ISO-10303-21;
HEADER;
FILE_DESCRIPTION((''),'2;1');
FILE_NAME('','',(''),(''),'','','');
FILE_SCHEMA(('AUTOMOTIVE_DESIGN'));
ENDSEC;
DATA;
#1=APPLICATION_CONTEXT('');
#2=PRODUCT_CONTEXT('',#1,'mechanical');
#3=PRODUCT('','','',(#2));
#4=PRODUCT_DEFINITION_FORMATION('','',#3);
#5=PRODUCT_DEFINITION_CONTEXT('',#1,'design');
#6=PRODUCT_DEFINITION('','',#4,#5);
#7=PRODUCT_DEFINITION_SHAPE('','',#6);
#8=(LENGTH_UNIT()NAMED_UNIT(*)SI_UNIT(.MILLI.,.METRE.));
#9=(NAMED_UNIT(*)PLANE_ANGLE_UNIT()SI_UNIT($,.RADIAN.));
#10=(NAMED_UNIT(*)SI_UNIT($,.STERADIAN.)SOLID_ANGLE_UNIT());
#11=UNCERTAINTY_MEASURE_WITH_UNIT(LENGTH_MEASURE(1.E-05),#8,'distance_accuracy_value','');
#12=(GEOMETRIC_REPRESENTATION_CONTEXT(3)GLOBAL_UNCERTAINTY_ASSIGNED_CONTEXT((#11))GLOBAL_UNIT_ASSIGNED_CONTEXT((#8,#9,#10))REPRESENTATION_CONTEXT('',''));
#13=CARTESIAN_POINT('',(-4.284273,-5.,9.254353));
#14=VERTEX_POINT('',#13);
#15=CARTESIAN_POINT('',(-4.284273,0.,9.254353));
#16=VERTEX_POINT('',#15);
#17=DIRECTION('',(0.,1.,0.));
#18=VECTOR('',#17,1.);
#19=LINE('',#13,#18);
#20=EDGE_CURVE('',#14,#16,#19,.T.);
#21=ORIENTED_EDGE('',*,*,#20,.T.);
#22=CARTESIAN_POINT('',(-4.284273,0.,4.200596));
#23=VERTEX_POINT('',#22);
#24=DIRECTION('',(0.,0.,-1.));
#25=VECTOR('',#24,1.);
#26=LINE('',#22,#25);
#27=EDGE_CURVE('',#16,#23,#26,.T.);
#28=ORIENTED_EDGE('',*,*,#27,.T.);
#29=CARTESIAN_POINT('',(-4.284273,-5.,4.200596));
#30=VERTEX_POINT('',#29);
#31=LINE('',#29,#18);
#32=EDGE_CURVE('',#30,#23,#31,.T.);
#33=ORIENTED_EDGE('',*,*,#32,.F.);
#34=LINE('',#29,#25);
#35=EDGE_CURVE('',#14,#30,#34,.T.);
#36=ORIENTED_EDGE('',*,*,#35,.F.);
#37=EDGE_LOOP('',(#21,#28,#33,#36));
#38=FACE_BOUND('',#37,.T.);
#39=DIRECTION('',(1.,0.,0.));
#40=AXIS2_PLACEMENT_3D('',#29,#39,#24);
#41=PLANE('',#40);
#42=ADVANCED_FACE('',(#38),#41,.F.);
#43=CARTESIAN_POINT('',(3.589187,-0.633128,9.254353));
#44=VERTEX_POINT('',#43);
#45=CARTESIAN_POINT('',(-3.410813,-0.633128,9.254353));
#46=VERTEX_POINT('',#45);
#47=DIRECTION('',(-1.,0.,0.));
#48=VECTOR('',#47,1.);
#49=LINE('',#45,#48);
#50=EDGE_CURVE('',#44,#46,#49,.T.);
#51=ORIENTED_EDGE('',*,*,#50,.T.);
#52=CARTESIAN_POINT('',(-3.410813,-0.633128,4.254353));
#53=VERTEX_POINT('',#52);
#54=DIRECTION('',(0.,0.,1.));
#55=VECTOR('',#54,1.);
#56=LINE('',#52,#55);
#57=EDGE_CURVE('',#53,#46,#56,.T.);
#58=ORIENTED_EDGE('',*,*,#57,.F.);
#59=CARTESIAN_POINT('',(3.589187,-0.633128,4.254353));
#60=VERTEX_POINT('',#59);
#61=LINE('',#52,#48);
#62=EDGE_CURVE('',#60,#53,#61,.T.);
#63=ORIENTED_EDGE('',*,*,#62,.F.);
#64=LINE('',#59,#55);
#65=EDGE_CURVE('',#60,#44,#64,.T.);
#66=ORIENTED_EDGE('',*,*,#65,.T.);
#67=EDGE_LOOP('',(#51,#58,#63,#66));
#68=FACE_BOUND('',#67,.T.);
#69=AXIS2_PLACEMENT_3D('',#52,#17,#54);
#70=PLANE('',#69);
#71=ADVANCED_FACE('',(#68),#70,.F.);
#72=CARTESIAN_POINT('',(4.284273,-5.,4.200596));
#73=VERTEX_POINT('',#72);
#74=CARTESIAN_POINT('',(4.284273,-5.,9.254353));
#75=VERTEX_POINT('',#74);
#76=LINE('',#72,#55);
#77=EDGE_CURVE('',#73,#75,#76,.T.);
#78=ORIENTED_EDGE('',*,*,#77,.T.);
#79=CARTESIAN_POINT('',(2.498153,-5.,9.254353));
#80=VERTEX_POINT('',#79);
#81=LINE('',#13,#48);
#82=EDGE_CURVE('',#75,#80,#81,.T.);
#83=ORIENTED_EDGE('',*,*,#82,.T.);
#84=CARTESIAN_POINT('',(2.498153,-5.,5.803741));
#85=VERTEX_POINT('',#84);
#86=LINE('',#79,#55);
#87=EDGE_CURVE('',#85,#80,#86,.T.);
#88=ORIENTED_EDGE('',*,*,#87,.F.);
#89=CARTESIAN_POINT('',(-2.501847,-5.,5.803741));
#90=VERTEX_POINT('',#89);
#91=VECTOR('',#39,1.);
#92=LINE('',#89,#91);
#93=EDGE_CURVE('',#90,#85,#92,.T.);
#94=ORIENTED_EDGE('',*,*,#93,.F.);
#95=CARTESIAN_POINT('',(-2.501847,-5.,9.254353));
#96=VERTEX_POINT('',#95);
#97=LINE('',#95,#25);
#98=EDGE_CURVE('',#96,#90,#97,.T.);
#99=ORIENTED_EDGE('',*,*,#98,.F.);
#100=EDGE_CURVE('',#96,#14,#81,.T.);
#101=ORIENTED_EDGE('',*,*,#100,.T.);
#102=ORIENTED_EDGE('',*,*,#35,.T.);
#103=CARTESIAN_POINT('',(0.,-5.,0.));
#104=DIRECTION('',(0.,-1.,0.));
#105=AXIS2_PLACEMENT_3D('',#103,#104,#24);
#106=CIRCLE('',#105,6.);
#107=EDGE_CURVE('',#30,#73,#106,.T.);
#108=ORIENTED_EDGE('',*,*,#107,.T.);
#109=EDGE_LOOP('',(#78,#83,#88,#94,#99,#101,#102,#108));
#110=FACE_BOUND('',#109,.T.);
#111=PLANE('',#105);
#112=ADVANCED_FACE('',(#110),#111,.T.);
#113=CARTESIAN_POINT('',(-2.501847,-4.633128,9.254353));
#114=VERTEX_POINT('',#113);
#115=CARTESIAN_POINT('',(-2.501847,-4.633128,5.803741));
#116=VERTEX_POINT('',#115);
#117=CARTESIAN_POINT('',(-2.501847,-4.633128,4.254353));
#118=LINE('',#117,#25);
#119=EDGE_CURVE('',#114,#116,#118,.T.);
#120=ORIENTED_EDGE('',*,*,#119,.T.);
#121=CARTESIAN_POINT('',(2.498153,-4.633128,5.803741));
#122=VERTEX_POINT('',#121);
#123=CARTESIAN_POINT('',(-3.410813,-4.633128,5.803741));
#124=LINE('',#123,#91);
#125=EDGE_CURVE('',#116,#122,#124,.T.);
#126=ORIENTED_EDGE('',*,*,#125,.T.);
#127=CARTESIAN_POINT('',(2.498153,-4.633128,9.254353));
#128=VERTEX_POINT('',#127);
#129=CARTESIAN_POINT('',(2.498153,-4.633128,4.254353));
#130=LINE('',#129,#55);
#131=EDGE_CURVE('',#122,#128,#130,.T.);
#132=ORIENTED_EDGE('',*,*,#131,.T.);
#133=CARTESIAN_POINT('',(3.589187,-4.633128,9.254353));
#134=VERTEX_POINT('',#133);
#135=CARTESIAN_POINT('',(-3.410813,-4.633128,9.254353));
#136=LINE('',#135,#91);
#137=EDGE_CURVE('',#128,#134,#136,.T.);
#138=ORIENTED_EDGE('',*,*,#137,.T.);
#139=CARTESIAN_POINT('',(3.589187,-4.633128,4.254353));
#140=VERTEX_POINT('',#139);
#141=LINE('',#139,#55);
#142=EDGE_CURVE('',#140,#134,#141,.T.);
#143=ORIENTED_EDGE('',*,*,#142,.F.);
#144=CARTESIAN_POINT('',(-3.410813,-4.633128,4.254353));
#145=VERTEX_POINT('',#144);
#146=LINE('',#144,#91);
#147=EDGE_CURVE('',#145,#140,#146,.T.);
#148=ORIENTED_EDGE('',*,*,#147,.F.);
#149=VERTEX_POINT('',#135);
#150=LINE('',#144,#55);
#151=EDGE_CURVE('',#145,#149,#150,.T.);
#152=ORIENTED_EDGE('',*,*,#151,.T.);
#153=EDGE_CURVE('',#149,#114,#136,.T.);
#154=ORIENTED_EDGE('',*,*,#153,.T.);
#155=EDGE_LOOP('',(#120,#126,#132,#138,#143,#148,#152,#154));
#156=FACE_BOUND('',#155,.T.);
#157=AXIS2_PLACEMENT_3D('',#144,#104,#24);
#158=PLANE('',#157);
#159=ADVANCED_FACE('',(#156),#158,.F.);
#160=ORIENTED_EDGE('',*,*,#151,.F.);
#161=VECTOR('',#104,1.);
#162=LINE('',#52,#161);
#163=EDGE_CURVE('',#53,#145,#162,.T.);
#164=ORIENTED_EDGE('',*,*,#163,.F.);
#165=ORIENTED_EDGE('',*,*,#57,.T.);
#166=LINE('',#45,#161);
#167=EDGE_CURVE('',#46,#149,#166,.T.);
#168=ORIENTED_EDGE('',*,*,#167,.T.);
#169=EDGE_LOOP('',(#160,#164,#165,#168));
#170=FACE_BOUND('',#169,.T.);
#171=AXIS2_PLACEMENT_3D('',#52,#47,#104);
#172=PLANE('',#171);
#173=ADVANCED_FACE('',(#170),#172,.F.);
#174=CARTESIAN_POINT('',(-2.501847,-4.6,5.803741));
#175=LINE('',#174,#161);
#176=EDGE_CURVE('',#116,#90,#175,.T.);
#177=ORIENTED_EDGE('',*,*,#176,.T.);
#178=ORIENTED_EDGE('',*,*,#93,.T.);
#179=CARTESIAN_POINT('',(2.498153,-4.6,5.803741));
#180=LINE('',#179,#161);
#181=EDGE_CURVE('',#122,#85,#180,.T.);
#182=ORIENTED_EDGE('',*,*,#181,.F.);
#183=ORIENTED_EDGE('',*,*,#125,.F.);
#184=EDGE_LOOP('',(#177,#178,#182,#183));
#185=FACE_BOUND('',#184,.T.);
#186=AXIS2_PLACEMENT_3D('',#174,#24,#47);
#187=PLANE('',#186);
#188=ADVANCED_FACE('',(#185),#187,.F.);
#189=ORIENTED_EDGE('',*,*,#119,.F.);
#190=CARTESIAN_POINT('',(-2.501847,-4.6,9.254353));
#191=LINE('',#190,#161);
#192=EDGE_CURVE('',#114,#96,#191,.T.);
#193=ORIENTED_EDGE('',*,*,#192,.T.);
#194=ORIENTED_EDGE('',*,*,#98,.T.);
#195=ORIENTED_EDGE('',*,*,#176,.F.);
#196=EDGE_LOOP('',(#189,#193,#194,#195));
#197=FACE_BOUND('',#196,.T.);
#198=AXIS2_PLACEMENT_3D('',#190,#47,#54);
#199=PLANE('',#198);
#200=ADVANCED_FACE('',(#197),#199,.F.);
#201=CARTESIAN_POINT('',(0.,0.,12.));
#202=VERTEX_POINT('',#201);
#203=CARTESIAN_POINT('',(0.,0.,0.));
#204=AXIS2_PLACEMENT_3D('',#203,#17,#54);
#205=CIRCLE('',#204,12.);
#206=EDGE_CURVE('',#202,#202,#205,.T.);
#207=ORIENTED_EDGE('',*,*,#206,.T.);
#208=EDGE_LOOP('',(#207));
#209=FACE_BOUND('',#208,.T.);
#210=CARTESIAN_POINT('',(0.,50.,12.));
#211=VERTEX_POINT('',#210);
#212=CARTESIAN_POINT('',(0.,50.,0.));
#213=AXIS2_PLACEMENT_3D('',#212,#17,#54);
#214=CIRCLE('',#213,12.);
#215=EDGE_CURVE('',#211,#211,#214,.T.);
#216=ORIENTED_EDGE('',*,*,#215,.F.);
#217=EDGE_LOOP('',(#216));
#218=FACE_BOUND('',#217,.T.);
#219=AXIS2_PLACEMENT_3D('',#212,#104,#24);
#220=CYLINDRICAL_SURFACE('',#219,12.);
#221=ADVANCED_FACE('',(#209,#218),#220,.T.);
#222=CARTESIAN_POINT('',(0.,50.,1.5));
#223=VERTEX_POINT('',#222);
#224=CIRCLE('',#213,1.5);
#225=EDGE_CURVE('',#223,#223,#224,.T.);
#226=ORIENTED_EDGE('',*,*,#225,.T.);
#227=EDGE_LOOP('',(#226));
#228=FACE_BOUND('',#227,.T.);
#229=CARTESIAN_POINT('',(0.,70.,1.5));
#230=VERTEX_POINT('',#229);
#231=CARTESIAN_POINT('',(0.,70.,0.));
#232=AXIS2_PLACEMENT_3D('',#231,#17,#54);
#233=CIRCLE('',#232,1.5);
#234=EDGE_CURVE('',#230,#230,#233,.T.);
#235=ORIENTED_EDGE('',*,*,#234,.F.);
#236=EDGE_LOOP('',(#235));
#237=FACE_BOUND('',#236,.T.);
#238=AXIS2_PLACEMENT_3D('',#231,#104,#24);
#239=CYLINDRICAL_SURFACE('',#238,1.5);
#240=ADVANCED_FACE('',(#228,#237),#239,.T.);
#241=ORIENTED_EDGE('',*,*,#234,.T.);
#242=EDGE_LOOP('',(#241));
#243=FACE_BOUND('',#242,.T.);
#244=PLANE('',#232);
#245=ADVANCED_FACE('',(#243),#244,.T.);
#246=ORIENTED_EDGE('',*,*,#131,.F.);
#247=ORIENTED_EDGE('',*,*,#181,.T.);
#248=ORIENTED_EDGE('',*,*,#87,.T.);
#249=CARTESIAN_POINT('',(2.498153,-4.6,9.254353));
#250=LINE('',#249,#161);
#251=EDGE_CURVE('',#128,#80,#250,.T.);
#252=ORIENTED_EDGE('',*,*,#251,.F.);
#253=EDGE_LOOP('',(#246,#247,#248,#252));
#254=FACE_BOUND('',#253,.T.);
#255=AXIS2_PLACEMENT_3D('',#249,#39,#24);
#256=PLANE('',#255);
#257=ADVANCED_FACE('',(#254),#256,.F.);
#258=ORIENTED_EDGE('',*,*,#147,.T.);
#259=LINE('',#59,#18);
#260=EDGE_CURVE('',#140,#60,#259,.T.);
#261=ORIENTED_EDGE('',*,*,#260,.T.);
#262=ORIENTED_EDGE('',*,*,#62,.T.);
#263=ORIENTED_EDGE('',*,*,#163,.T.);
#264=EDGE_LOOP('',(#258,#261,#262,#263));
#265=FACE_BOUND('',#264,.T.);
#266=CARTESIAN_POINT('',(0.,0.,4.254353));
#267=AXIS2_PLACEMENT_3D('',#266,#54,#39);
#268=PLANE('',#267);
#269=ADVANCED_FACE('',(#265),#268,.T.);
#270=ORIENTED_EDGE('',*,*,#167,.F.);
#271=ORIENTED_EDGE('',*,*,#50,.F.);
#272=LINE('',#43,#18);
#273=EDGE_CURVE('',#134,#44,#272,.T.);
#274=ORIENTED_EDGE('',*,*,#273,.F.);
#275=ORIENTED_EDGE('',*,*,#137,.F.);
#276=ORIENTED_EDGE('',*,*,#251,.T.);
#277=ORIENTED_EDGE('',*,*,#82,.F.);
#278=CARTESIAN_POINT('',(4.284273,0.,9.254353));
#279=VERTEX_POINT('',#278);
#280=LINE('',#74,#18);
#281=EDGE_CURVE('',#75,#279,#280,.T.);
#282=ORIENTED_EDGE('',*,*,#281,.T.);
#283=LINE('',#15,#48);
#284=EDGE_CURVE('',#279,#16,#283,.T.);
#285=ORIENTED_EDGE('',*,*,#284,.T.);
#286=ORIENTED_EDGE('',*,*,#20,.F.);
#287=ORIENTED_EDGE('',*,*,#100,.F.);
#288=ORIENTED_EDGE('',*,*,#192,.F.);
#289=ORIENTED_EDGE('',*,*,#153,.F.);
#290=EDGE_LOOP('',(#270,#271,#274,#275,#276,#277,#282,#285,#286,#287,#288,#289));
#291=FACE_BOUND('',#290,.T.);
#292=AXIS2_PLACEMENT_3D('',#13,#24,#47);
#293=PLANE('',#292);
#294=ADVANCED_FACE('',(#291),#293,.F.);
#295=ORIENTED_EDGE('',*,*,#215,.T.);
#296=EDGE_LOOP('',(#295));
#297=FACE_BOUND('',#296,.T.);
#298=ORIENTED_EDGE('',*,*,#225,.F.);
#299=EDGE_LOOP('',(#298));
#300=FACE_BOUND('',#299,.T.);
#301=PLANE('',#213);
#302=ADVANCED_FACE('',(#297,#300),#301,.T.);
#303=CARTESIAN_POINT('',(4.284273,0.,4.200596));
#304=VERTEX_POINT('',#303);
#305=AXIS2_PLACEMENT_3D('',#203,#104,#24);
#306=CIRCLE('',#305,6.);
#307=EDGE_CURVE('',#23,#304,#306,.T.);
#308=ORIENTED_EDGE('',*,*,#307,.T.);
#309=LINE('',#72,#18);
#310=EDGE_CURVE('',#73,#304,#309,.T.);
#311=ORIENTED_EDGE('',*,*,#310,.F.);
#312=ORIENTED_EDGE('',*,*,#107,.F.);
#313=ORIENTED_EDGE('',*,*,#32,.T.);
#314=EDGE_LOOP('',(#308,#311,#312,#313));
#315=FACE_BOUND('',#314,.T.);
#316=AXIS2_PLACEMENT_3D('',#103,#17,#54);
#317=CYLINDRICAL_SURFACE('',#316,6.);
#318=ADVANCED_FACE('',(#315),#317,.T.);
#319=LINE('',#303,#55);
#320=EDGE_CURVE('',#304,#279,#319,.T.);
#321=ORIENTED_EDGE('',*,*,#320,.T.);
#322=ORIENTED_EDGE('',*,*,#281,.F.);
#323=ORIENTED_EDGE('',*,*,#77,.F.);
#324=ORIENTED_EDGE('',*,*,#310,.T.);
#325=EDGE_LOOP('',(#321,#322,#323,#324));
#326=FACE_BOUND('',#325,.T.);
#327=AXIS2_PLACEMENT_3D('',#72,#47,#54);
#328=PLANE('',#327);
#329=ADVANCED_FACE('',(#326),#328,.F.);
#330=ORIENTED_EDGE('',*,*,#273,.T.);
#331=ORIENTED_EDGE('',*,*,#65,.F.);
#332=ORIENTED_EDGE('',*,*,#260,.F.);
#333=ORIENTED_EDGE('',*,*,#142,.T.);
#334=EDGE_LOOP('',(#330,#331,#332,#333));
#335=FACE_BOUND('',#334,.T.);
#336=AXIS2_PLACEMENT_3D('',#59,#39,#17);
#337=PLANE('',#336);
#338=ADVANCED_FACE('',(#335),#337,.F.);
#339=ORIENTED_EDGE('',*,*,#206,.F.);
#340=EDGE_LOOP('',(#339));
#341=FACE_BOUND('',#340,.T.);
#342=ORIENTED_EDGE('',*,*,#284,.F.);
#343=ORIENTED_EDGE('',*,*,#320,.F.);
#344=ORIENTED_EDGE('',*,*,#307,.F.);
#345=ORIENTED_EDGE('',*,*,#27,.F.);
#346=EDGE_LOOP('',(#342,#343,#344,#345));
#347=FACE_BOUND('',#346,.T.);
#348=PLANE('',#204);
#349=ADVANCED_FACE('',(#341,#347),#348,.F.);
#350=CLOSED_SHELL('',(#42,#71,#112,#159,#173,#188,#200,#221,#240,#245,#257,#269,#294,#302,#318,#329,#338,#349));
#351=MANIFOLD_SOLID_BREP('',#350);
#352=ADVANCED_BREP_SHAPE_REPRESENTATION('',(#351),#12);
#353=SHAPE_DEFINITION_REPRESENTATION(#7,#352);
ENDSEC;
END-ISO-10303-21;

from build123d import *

# Parameters (mm, degrees)
SKETCH1_R           = 12
BOSS_EXTRUDE1_DEPTH = 50
SKETCH2_R           = 1.5
BOSS_EXTRUDE2_DEPTH = 20
BOSS_EXTRUDE3_DEPTH = 5
SKETCH4_W           = 7
SKETCH4_H           = 4
CUT_EXTRUDE1_DEPTH  = 5
SKETCH5_W           = 5
SKETCH5_H           = 3.450611601
CUT_EXTRUDE2_DEPTH  = 0.4


with BuildPart() as part:
    # Sketch1 → Boss-Extrude1 (new body)
    with BuildSketch(Plane(origin=(0, 0, 0), x_dir=(1, 0, 0), z_dir=(0, 1, 0))):
        with Locations(Location((0, 0, 0), (0, 0, 270))):
            Circle(SKETCH1_R)
    extrude(amount=BOSS_EXTRUDE1_DEPTH)

    # Sketch2 → Boss-Extrude2 (add)
    with BuildSketch(Plane(origin=(0, 50, 0), x_dir=(1, 0, 0), z_dir=(0, 1, 0))):
        with Locations(Location((0, 0, 0), (0, 0, 270))):
            Circle(SKETCH2_R)
    extrude(amount=BOSS_EXTRUDE2_DEPTH)

    # Sketch3 → Boss-Extrude3 (add)
    with BuildSketch(Plane.XZ):
        with BuildLine():
            Line((-4.284272991, 4.200595784), (-4.284272991, 9.25435285))
            Line((-4.284272991, 9.25435285), (4.284272991, 9.25435285))
            Line((4.284272991, 9.25435285), (4.284272991, 4.200595784))
            ThreePointArc((4.284272991, 4.200595784), (0, -6), (-4.284272991, 4.200595784))
        make_face()
    extrude(amount=BOSS_EXTRUDE3_DEPTH)

    # Sketch4 → Cut-Extrude1 (cut)
    with BuildSketch(Plane.XY.offset(9.25435285)):
        with Locations((0.08918727, -2.633127674)):
            Rectangle(SKETCH4_W, SKETCH4_H)
    extrude(amount=-CUT_EXTRUDE1_DEPTH, mode=Mode.SUBTRACT)

    # Sketch5 → Cut-Extrude2 (cut)
    with BuildSketch(Plane.XZ.offset(5)):
        with Locations((-0.001847359, 7.52904705)):
            Rectangle(SKETCH5_W, SKETCH5_H)
    extrude(amount=-CUT_EXTRUDE2_DEPTH, mode=Mode.SUBTRACT)


solid = part.part
